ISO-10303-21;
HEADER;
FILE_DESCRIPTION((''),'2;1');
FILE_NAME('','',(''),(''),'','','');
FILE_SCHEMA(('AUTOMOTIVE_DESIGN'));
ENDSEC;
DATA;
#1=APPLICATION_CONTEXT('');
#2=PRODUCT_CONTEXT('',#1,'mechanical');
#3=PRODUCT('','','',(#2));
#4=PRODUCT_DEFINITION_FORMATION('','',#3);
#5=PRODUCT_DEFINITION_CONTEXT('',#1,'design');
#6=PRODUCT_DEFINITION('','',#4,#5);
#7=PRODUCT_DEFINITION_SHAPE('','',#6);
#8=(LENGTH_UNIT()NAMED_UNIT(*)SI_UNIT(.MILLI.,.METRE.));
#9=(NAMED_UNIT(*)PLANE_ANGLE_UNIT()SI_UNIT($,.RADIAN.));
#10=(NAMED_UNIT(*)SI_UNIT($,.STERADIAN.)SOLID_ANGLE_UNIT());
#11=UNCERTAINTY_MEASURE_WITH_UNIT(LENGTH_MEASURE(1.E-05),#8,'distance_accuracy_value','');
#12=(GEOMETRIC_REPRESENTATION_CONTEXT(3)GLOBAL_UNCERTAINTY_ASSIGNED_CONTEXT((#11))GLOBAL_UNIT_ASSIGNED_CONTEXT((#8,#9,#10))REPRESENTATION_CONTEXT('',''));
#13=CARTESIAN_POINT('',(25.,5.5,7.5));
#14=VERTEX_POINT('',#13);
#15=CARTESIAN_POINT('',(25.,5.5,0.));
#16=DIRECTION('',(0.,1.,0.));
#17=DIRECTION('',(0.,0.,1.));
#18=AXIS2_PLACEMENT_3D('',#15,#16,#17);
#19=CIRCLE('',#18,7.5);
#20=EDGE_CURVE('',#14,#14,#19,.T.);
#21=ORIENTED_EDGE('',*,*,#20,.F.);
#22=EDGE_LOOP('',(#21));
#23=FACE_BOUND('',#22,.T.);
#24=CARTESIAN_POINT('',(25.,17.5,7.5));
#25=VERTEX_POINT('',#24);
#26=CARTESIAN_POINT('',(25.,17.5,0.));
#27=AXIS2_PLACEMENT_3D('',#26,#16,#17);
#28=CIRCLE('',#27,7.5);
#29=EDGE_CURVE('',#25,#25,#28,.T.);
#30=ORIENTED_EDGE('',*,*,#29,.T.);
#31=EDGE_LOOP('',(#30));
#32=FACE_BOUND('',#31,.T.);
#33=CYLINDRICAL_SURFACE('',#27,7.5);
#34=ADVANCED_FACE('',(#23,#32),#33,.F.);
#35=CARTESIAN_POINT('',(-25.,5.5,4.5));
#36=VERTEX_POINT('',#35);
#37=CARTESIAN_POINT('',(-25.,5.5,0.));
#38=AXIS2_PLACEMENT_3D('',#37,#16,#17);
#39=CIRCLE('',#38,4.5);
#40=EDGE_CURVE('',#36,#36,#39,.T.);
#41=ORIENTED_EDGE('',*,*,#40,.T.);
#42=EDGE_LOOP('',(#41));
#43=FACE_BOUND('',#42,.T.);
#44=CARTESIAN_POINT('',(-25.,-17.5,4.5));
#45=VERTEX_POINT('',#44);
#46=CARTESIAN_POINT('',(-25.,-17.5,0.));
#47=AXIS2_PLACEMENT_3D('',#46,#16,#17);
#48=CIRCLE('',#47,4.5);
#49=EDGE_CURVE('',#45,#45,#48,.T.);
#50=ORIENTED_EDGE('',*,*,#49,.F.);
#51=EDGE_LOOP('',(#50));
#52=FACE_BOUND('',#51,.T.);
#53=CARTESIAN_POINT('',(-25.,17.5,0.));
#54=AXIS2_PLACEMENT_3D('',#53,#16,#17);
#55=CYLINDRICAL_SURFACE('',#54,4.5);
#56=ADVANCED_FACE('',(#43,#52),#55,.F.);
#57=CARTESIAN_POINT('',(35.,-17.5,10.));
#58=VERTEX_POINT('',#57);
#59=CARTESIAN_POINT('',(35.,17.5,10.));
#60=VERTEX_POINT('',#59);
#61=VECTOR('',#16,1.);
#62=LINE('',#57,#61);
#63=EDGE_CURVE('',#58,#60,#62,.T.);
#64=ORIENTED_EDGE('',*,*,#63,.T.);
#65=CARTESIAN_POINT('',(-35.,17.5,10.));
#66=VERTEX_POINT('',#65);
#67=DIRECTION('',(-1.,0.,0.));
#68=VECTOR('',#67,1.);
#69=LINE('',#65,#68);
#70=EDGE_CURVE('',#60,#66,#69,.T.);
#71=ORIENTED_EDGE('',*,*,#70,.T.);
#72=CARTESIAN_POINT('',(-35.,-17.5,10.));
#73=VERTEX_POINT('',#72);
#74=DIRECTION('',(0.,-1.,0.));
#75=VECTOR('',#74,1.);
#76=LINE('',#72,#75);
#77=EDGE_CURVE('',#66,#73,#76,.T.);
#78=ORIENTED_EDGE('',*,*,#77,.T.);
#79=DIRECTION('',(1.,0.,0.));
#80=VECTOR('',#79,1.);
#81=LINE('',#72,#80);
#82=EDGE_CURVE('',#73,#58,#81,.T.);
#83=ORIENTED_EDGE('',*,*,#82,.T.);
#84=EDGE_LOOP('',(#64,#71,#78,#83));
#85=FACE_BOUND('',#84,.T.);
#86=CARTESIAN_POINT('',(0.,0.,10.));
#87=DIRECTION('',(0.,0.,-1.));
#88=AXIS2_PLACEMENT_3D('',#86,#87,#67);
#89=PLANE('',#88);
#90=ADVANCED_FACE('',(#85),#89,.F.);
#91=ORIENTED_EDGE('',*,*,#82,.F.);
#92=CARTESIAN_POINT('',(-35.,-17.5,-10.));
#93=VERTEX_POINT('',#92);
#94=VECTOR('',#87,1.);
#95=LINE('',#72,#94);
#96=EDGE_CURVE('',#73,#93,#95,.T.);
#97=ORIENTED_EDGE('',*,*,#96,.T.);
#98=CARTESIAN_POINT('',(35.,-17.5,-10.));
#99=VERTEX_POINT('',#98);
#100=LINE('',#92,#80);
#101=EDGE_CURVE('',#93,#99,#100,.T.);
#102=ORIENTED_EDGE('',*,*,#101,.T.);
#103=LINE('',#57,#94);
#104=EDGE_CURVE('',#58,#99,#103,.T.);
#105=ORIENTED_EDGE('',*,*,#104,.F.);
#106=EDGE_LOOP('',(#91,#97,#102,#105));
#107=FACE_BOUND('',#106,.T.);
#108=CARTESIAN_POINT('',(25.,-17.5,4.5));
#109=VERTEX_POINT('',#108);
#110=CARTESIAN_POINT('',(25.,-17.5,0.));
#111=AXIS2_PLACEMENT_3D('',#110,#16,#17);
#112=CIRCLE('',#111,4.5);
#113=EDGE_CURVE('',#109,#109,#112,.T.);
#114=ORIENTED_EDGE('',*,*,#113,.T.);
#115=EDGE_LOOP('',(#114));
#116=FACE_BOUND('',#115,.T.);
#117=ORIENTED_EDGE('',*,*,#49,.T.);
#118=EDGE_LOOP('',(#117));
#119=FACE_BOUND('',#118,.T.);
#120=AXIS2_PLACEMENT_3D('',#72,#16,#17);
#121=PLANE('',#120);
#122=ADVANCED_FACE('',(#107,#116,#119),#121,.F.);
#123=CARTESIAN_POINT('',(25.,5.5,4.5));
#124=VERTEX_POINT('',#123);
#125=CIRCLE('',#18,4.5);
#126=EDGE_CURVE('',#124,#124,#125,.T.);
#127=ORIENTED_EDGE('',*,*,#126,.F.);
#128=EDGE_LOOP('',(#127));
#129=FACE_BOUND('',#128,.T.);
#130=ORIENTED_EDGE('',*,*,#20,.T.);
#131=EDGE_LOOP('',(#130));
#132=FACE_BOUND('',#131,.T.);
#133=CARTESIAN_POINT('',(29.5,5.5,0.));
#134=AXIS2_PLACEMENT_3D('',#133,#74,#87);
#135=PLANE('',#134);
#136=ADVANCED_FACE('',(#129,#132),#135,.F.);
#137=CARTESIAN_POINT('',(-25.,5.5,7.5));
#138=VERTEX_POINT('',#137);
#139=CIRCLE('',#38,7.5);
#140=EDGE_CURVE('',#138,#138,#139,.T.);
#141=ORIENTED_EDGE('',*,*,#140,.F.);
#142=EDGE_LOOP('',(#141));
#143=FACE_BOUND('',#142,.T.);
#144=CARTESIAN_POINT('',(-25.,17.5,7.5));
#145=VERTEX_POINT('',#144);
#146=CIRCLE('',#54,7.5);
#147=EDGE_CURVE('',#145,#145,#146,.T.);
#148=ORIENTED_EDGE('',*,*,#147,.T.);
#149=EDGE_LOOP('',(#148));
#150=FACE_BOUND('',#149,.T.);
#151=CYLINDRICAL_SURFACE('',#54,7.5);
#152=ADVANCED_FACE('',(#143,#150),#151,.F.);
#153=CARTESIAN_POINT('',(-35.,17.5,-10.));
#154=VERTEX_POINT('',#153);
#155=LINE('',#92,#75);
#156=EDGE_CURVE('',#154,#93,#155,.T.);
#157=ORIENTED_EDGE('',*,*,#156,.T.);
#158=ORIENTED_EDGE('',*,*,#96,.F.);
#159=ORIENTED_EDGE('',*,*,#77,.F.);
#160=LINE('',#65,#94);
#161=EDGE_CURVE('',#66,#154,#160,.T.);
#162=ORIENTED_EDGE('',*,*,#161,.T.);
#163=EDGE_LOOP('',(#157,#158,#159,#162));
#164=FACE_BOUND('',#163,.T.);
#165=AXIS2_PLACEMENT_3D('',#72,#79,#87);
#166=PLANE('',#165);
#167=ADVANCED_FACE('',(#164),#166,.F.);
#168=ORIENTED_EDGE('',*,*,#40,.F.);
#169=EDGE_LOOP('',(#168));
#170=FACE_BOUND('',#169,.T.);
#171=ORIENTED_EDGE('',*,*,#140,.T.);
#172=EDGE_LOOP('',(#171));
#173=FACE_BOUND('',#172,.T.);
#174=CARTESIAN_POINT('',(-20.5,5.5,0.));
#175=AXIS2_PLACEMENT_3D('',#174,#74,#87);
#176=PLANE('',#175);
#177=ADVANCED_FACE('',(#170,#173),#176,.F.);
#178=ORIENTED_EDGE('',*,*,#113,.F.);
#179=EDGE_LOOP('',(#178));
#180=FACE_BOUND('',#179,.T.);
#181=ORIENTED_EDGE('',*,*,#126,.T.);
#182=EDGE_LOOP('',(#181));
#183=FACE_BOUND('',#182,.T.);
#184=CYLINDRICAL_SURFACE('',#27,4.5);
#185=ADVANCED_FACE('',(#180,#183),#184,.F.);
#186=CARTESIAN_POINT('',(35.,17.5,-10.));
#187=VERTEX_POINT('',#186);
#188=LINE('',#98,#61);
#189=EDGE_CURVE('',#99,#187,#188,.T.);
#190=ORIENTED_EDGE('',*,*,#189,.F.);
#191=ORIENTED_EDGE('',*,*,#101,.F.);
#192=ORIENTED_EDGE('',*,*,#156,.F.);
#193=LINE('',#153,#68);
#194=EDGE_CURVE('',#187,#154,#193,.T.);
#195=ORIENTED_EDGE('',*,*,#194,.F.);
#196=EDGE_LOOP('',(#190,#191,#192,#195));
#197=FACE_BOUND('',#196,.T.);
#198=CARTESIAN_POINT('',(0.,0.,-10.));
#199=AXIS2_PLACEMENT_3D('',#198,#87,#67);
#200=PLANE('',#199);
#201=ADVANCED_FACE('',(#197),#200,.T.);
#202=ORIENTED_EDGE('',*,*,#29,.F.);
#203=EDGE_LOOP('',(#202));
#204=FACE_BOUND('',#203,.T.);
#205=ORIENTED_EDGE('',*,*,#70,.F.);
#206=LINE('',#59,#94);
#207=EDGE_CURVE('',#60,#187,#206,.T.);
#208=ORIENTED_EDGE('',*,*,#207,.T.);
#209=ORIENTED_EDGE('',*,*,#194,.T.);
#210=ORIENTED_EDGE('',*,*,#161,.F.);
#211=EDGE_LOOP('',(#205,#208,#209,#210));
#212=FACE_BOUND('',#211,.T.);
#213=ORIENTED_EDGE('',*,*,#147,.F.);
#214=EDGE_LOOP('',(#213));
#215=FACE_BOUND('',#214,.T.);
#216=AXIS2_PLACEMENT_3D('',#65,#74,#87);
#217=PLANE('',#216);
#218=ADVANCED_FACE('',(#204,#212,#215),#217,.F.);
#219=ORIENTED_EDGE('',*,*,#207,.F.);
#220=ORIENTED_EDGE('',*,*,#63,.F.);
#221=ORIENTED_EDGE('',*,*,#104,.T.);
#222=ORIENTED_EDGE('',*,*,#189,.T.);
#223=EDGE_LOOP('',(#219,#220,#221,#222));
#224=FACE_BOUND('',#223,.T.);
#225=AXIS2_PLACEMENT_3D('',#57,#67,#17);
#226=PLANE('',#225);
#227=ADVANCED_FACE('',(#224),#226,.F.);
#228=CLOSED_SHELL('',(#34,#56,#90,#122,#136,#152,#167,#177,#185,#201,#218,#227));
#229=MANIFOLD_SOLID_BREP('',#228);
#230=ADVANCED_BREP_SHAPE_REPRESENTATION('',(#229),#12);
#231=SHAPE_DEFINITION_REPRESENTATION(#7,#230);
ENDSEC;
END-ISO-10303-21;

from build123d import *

# Parameters (mm, degrees)
SKETCH_1_W                = 70
SKETCH_1_H                = 35
EXTRUDE_1_DEPTH           = 10
HOLE_WIZARD_1_D           = 9
HOLE_WIZARD_1_CBORE_D     = 15
HOLE_WIZARD_1_CBORE_DEPTH = 12


with BuildPart() as part:
    # 草图1 → 凸台-拉伸1 (new body, symmetric)
    with BuildSketch(Plane.XY):
        Rectangle(SKETCH_1_W, SKETCH_1_H)
    extrude(amount=EXTRUDE_1_DEPTH, both=True)

    # 打孔尺寸(%根据)内六角圆柱头螺钉的类型1 (through all)
    with Locations(Plane(origin=(-25, 17.5, 0), x_dir=(0, 0, 1), z_dir=(0, 1, 0))):
        with Locations((0, 0), (0, 50)):
            CounterBoreHole(HOLE_WIZARD_1_D / 2, HOLE_WIZARD_1_CBORE_D / 2, HOLE_WIZARD_1_CBORE_DEPTH)


solid = part.part
